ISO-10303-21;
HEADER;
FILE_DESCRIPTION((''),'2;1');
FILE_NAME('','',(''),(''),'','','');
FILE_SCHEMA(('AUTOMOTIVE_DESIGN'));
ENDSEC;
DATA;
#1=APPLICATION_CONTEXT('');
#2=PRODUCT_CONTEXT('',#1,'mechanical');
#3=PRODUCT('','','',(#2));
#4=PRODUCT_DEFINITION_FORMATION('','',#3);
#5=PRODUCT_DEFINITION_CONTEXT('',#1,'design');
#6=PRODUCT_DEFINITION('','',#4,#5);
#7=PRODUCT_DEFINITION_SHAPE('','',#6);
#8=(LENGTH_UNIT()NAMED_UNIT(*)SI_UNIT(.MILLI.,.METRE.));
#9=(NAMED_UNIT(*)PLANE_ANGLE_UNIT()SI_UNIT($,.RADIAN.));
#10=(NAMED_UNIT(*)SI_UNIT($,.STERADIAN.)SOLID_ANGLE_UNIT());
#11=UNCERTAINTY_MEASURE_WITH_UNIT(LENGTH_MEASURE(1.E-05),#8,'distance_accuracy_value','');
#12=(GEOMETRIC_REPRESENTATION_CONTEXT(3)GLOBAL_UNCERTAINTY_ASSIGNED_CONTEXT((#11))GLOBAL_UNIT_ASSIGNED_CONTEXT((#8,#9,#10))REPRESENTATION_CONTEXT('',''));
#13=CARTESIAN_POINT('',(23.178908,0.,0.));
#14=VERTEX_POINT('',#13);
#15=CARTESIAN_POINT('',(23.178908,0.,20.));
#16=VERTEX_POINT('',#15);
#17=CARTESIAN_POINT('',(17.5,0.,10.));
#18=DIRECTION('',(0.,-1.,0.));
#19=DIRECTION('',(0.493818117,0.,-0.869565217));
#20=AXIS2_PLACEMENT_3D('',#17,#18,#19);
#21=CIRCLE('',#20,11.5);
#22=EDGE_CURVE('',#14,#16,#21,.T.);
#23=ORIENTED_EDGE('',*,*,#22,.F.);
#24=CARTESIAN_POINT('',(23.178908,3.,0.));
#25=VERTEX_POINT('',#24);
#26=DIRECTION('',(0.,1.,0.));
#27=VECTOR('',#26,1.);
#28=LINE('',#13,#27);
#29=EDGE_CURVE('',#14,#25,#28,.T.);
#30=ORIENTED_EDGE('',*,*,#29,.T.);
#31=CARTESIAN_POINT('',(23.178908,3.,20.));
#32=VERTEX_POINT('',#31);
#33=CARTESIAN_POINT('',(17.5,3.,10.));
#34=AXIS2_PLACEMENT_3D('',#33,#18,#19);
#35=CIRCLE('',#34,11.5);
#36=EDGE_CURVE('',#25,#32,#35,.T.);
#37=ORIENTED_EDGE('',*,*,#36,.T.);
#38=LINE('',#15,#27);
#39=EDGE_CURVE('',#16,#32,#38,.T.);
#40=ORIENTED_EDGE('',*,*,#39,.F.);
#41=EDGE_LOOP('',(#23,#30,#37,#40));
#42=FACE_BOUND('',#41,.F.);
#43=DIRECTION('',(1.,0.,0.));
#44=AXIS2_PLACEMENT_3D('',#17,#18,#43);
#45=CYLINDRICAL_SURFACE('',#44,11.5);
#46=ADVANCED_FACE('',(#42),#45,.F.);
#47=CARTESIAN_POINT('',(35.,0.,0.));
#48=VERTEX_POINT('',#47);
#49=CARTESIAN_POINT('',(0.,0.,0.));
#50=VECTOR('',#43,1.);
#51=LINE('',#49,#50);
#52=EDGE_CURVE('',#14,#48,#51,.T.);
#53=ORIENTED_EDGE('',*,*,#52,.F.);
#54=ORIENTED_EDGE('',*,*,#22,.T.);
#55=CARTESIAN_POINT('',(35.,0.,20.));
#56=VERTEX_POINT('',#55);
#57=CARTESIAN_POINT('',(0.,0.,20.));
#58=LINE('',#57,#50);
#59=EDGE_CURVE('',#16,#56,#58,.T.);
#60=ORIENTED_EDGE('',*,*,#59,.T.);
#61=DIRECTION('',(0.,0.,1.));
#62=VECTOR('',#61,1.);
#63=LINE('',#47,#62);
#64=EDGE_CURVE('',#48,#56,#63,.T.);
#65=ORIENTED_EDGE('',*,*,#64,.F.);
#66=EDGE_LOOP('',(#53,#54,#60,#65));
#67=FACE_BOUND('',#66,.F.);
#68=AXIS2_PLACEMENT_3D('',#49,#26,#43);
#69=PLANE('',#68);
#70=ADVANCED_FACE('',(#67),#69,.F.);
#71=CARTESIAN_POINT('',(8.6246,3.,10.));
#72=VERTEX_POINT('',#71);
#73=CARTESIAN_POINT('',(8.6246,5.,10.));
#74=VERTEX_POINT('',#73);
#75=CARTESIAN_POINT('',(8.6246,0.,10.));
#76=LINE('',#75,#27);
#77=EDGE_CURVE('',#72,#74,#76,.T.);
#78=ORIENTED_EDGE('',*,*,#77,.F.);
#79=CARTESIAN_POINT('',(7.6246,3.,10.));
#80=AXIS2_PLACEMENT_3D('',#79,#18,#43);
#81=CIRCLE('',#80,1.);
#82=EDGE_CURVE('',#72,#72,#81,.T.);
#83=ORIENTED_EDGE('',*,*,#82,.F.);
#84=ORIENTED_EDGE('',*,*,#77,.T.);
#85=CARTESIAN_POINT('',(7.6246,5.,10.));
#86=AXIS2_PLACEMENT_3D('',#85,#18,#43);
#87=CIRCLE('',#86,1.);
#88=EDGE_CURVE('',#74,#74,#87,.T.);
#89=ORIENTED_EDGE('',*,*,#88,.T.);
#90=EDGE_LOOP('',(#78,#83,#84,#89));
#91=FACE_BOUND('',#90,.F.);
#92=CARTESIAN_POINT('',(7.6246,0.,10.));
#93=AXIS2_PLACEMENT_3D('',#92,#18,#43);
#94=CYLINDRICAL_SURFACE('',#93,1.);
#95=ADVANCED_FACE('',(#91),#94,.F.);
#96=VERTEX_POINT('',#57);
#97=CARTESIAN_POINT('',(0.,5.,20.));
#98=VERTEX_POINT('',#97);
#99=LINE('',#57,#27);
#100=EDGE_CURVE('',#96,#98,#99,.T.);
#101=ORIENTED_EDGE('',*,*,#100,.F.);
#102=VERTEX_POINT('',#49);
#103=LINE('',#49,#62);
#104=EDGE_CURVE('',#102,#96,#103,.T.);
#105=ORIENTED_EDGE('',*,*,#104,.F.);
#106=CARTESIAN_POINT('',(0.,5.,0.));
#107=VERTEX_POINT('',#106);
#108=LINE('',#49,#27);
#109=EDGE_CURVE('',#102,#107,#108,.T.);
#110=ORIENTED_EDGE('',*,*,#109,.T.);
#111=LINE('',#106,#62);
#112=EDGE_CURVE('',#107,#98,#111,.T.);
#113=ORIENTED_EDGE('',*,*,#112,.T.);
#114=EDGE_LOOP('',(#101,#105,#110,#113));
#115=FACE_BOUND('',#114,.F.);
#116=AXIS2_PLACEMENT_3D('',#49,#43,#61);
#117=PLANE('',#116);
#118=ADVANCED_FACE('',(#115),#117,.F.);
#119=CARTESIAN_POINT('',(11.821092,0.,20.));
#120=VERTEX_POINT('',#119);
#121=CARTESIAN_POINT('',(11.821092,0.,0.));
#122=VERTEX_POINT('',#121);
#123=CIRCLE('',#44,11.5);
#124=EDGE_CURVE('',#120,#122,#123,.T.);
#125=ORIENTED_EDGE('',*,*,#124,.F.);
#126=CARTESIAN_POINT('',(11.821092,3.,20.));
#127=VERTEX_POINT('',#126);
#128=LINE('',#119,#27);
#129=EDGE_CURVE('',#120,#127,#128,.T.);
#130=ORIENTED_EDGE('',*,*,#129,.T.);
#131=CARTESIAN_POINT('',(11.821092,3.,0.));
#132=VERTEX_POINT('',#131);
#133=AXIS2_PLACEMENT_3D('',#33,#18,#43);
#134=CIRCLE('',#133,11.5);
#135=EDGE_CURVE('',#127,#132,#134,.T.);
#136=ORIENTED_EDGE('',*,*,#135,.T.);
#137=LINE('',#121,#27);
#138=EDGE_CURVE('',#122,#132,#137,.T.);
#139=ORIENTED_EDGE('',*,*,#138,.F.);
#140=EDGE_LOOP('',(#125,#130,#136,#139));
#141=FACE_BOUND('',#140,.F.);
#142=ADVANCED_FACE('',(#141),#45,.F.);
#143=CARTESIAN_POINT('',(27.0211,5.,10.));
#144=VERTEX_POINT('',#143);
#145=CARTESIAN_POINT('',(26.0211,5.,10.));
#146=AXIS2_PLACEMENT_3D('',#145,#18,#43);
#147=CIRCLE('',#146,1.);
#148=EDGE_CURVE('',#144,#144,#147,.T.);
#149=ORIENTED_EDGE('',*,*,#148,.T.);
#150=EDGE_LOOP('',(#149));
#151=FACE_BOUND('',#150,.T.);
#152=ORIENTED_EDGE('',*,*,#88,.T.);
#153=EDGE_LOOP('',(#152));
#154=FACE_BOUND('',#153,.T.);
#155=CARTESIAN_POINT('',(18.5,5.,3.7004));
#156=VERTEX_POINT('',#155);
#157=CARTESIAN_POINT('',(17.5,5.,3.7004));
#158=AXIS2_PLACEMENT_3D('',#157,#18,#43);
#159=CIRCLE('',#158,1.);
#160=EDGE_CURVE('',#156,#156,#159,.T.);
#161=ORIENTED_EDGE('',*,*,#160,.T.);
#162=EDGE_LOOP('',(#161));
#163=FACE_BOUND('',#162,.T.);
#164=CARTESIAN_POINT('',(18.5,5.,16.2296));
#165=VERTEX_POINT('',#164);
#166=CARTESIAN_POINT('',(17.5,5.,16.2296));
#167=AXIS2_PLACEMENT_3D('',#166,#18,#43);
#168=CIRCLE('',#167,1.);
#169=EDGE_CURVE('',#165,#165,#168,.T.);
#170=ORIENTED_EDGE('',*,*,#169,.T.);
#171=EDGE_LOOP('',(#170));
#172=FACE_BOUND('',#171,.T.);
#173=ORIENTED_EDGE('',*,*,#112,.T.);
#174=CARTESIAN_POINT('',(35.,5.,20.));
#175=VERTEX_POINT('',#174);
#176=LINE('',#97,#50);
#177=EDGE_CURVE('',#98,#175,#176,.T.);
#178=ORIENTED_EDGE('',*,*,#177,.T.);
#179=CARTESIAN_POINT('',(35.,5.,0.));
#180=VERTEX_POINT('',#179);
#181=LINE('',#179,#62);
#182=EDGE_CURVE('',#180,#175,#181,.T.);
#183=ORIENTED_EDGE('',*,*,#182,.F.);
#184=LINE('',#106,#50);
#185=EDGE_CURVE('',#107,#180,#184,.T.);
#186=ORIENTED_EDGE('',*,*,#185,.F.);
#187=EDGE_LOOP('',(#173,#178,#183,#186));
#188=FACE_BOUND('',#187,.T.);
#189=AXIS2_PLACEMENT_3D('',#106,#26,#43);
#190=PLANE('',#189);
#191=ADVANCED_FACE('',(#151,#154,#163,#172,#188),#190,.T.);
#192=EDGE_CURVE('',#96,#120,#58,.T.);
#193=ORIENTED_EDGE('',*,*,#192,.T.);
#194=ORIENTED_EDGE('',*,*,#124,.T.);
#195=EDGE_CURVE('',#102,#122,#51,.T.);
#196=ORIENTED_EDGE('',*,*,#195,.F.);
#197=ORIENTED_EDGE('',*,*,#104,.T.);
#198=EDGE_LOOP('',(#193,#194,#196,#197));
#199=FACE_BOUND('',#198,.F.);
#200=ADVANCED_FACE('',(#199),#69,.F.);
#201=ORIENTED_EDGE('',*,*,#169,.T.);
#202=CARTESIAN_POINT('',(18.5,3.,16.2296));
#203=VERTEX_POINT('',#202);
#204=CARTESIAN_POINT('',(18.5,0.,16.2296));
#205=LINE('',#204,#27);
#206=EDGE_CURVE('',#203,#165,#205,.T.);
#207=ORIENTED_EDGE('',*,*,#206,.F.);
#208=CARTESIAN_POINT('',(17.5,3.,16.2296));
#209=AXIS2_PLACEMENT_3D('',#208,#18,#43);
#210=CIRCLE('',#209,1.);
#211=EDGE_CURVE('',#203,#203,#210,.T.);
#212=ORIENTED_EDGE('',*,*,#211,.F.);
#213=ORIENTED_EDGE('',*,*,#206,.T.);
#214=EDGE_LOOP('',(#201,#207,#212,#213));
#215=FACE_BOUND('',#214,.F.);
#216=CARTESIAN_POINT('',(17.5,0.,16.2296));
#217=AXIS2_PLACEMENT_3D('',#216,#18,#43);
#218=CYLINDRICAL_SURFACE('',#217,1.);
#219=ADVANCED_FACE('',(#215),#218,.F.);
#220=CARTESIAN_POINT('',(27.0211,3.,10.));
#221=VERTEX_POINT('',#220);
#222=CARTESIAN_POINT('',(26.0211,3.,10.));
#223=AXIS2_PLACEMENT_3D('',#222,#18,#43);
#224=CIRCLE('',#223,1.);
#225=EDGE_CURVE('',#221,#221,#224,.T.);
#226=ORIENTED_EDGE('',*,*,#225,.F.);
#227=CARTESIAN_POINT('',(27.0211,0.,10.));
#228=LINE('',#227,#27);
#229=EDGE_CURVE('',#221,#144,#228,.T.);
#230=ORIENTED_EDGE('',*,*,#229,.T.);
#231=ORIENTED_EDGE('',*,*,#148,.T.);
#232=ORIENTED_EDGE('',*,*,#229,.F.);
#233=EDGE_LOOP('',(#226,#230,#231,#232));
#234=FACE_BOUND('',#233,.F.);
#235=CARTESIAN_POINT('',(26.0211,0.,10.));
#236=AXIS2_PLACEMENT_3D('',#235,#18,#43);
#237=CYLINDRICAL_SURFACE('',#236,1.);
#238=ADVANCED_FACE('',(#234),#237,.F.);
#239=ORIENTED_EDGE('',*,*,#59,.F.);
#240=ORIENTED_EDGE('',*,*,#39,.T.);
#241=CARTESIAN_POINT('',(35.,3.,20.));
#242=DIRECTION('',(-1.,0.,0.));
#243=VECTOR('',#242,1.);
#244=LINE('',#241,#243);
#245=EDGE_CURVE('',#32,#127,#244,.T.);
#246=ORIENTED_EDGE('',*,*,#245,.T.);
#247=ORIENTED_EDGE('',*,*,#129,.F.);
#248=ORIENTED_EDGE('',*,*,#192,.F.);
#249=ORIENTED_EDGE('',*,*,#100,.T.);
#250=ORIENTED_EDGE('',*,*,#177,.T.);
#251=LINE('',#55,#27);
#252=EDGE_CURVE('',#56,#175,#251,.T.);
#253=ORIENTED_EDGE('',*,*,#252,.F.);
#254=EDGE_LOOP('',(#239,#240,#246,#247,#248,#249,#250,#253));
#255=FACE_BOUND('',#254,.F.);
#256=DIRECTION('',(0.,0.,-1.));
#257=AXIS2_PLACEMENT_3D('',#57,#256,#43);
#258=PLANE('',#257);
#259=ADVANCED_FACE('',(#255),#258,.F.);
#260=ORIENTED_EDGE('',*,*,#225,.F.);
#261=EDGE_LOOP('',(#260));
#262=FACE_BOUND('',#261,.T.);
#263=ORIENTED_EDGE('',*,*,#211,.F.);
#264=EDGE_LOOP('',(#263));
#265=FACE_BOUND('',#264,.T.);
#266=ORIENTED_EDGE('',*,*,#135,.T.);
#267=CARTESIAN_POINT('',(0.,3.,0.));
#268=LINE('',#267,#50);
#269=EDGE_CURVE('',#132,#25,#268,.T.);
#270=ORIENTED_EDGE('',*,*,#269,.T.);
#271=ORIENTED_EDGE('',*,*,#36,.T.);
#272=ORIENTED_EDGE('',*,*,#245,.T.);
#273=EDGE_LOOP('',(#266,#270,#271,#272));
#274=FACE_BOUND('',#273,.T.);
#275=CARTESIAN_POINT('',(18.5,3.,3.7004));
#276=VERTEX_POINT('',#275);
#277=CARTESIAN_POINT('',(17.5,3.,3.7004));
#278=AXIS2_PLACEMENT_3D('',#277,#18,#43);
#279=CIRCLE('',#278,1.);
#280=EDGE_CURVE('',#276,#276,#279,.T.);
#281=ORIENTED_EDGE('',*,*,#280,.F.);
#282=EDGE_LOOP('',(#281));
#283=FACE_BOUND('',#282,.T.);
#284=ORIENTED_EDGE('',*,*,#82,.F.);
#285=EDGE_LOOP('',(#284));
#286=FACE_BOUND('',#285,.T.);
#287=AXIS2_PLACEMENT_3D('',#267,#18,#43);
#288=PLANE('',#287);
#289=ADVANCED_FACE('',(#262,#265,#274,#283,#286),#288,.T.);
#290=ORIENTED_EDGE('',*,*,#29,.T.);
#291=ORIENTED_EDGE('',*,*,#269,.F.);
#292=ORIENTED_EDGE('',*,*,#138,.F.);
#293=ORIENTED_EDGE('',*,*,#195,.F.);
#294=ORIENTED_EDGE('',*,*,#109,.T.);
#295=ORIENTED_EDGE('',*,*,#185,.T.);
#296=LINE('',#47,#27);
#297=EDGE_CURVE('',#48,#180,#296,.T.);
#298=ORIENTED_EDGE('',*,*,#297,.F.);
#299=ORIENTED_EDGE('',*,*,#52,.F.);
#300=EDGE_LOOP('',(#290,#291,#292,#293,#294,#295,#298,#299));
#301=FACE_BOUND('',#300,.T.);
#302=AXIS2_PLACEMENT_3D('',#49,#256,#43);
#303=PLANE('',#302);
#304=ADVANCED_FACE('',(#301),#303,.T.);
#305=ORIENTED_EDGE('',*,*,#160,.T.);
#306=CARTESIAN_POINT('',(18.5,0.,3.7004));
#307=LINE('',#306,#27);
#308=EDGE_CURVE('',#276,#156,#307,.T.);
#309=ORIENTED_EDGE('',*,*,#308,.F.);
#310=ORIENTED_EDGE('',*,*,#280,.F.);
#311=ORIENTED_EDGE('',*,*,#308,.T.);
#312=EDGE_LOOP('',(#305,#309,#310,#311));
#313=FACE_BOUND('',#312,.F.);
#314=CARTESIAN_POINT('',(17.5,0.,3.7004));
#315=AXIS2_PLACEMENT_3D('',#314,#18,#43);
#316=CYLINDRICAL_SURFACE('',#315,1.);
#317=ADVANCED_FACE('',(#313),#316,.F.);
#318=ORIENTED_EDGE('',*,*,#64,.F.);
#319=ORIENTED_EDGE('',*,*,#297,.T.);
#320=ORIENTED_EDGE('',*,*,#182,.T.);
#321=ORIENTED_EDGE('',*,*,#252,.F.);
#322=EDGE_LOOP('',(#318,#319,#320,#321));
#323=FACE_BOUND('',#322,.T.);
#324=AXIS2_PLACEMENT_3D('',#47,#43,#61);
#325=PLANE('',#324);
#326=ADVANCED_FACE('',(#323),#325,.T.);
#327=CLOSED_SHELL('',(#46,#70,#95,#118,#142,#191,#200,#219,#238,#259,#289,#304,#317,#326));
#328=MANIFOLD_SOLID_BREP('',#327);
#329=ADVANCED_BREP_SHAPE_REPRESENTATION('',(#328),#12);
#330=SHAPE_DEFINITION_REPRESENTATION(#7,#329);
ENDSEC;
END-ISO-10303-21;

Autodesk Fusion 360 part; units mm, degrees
sketch "Sketch1" plane through (0, 0, 0) normal (0, 1, 0) x (1, 0, 0) in component "base_plate"
  line L0 (0, 0) -> (35, 0)
  line L1 (35, 0) -> (35, -20)
  line L2 (0, 0) -> (0, -20)
  line L3 (0, -20) -> (35, -20)
  dimension "d1" = 35
  dimension "d2" = 20
  dimension "d3" = 20
extrude "Extrude1" add sketch "Sketch1" along normal blind 5 in component "base_plate"
sketch "Sketch2" plane through (0, 0, 0) normal (0, -1, 0) x (1, 0, 0) in component "base_plate"
  line L0 (0, 20) -> (0, 0)
  line L1 (0, 0) -> (35, 0)
  line L2 (35, 0) -> (35, 20)
  line L3 (35, 20) -> (0, 20)
  line L4 (0, 10) -> (35, 10) construction
  line L5 (17.5, 20) -> (17.5, 0) construction
  circle A0 centre (7.6246, 10) radius 1
  circle A1 centre (26.0211, 10) radius 1
  dimension "d6" = 2
  dimension "d7" = 2
extrude "Extrude2" cut sketch "Sketch2" against normal blind 5 contours A0 | A1 in component "base_plate"
sketch "Sketch3" plane through (0, 0, 0) normal (0, -1, 0) x (1, 0, 0) in component "base_plate"
  circle A0 centre (7.6246, 10) radius 1
  circle A1 centre (26.0211, 10) radius 1
  line L0 (0, 20) -> (0, 0)
  line L1 (0, 0) -> (35, 0)
  line L2 (35, 0) -> (35, 20)
  line L3 (35, 20) -> (0, 20)
  line L4 (17.5, 20) -> (17.5, 0) construction
  circle A2 centre (17.5, 16.2296) radius 1
  circle A3 centre (17.5, 3.7004) radius 1
  dimension "d10" = 2
  dimension "d11" = 2
extrude "Extrude3" cut sketch "Sketch3" against normal blind 5 contours A2 | A3 in component "base_plate"
sketch "Sketch4" plane through (0, 0, 0) normal (0, -1, 0) x (1, 0, 0) in component "base_plate"
  circle A0 centre (17.5, 3.7004) radius 1
  circle A1 centre (17.5, 16.2296) radius 1
  circle A2 centre (7.6246, 10) radius 1
  circle A3 centre (26.0211, 10) radius 1
  line L0 (0, 20) -> (0, 0)
  line L1 (0, 0) -> (35, 0)
  line L2 (35, 0) -> (35, 20)
  line L3 (35, 20) -> (0, 20)
  line L4 (17.5, 20) -> (17.5, 0) construction
  circle A4 centre (17.5, 10) radius 11.5
extrude "Extrude4" cut sketch "Sketch4" against normal blind 3 contours A0 | A1 | A2 | A3 | L1 L3 A4 in component "base_plate"
component "base_plate" placed x (1, 0, 0) y (0, 1, 0) z (0, 0, 1) at (0, 0, 0)
